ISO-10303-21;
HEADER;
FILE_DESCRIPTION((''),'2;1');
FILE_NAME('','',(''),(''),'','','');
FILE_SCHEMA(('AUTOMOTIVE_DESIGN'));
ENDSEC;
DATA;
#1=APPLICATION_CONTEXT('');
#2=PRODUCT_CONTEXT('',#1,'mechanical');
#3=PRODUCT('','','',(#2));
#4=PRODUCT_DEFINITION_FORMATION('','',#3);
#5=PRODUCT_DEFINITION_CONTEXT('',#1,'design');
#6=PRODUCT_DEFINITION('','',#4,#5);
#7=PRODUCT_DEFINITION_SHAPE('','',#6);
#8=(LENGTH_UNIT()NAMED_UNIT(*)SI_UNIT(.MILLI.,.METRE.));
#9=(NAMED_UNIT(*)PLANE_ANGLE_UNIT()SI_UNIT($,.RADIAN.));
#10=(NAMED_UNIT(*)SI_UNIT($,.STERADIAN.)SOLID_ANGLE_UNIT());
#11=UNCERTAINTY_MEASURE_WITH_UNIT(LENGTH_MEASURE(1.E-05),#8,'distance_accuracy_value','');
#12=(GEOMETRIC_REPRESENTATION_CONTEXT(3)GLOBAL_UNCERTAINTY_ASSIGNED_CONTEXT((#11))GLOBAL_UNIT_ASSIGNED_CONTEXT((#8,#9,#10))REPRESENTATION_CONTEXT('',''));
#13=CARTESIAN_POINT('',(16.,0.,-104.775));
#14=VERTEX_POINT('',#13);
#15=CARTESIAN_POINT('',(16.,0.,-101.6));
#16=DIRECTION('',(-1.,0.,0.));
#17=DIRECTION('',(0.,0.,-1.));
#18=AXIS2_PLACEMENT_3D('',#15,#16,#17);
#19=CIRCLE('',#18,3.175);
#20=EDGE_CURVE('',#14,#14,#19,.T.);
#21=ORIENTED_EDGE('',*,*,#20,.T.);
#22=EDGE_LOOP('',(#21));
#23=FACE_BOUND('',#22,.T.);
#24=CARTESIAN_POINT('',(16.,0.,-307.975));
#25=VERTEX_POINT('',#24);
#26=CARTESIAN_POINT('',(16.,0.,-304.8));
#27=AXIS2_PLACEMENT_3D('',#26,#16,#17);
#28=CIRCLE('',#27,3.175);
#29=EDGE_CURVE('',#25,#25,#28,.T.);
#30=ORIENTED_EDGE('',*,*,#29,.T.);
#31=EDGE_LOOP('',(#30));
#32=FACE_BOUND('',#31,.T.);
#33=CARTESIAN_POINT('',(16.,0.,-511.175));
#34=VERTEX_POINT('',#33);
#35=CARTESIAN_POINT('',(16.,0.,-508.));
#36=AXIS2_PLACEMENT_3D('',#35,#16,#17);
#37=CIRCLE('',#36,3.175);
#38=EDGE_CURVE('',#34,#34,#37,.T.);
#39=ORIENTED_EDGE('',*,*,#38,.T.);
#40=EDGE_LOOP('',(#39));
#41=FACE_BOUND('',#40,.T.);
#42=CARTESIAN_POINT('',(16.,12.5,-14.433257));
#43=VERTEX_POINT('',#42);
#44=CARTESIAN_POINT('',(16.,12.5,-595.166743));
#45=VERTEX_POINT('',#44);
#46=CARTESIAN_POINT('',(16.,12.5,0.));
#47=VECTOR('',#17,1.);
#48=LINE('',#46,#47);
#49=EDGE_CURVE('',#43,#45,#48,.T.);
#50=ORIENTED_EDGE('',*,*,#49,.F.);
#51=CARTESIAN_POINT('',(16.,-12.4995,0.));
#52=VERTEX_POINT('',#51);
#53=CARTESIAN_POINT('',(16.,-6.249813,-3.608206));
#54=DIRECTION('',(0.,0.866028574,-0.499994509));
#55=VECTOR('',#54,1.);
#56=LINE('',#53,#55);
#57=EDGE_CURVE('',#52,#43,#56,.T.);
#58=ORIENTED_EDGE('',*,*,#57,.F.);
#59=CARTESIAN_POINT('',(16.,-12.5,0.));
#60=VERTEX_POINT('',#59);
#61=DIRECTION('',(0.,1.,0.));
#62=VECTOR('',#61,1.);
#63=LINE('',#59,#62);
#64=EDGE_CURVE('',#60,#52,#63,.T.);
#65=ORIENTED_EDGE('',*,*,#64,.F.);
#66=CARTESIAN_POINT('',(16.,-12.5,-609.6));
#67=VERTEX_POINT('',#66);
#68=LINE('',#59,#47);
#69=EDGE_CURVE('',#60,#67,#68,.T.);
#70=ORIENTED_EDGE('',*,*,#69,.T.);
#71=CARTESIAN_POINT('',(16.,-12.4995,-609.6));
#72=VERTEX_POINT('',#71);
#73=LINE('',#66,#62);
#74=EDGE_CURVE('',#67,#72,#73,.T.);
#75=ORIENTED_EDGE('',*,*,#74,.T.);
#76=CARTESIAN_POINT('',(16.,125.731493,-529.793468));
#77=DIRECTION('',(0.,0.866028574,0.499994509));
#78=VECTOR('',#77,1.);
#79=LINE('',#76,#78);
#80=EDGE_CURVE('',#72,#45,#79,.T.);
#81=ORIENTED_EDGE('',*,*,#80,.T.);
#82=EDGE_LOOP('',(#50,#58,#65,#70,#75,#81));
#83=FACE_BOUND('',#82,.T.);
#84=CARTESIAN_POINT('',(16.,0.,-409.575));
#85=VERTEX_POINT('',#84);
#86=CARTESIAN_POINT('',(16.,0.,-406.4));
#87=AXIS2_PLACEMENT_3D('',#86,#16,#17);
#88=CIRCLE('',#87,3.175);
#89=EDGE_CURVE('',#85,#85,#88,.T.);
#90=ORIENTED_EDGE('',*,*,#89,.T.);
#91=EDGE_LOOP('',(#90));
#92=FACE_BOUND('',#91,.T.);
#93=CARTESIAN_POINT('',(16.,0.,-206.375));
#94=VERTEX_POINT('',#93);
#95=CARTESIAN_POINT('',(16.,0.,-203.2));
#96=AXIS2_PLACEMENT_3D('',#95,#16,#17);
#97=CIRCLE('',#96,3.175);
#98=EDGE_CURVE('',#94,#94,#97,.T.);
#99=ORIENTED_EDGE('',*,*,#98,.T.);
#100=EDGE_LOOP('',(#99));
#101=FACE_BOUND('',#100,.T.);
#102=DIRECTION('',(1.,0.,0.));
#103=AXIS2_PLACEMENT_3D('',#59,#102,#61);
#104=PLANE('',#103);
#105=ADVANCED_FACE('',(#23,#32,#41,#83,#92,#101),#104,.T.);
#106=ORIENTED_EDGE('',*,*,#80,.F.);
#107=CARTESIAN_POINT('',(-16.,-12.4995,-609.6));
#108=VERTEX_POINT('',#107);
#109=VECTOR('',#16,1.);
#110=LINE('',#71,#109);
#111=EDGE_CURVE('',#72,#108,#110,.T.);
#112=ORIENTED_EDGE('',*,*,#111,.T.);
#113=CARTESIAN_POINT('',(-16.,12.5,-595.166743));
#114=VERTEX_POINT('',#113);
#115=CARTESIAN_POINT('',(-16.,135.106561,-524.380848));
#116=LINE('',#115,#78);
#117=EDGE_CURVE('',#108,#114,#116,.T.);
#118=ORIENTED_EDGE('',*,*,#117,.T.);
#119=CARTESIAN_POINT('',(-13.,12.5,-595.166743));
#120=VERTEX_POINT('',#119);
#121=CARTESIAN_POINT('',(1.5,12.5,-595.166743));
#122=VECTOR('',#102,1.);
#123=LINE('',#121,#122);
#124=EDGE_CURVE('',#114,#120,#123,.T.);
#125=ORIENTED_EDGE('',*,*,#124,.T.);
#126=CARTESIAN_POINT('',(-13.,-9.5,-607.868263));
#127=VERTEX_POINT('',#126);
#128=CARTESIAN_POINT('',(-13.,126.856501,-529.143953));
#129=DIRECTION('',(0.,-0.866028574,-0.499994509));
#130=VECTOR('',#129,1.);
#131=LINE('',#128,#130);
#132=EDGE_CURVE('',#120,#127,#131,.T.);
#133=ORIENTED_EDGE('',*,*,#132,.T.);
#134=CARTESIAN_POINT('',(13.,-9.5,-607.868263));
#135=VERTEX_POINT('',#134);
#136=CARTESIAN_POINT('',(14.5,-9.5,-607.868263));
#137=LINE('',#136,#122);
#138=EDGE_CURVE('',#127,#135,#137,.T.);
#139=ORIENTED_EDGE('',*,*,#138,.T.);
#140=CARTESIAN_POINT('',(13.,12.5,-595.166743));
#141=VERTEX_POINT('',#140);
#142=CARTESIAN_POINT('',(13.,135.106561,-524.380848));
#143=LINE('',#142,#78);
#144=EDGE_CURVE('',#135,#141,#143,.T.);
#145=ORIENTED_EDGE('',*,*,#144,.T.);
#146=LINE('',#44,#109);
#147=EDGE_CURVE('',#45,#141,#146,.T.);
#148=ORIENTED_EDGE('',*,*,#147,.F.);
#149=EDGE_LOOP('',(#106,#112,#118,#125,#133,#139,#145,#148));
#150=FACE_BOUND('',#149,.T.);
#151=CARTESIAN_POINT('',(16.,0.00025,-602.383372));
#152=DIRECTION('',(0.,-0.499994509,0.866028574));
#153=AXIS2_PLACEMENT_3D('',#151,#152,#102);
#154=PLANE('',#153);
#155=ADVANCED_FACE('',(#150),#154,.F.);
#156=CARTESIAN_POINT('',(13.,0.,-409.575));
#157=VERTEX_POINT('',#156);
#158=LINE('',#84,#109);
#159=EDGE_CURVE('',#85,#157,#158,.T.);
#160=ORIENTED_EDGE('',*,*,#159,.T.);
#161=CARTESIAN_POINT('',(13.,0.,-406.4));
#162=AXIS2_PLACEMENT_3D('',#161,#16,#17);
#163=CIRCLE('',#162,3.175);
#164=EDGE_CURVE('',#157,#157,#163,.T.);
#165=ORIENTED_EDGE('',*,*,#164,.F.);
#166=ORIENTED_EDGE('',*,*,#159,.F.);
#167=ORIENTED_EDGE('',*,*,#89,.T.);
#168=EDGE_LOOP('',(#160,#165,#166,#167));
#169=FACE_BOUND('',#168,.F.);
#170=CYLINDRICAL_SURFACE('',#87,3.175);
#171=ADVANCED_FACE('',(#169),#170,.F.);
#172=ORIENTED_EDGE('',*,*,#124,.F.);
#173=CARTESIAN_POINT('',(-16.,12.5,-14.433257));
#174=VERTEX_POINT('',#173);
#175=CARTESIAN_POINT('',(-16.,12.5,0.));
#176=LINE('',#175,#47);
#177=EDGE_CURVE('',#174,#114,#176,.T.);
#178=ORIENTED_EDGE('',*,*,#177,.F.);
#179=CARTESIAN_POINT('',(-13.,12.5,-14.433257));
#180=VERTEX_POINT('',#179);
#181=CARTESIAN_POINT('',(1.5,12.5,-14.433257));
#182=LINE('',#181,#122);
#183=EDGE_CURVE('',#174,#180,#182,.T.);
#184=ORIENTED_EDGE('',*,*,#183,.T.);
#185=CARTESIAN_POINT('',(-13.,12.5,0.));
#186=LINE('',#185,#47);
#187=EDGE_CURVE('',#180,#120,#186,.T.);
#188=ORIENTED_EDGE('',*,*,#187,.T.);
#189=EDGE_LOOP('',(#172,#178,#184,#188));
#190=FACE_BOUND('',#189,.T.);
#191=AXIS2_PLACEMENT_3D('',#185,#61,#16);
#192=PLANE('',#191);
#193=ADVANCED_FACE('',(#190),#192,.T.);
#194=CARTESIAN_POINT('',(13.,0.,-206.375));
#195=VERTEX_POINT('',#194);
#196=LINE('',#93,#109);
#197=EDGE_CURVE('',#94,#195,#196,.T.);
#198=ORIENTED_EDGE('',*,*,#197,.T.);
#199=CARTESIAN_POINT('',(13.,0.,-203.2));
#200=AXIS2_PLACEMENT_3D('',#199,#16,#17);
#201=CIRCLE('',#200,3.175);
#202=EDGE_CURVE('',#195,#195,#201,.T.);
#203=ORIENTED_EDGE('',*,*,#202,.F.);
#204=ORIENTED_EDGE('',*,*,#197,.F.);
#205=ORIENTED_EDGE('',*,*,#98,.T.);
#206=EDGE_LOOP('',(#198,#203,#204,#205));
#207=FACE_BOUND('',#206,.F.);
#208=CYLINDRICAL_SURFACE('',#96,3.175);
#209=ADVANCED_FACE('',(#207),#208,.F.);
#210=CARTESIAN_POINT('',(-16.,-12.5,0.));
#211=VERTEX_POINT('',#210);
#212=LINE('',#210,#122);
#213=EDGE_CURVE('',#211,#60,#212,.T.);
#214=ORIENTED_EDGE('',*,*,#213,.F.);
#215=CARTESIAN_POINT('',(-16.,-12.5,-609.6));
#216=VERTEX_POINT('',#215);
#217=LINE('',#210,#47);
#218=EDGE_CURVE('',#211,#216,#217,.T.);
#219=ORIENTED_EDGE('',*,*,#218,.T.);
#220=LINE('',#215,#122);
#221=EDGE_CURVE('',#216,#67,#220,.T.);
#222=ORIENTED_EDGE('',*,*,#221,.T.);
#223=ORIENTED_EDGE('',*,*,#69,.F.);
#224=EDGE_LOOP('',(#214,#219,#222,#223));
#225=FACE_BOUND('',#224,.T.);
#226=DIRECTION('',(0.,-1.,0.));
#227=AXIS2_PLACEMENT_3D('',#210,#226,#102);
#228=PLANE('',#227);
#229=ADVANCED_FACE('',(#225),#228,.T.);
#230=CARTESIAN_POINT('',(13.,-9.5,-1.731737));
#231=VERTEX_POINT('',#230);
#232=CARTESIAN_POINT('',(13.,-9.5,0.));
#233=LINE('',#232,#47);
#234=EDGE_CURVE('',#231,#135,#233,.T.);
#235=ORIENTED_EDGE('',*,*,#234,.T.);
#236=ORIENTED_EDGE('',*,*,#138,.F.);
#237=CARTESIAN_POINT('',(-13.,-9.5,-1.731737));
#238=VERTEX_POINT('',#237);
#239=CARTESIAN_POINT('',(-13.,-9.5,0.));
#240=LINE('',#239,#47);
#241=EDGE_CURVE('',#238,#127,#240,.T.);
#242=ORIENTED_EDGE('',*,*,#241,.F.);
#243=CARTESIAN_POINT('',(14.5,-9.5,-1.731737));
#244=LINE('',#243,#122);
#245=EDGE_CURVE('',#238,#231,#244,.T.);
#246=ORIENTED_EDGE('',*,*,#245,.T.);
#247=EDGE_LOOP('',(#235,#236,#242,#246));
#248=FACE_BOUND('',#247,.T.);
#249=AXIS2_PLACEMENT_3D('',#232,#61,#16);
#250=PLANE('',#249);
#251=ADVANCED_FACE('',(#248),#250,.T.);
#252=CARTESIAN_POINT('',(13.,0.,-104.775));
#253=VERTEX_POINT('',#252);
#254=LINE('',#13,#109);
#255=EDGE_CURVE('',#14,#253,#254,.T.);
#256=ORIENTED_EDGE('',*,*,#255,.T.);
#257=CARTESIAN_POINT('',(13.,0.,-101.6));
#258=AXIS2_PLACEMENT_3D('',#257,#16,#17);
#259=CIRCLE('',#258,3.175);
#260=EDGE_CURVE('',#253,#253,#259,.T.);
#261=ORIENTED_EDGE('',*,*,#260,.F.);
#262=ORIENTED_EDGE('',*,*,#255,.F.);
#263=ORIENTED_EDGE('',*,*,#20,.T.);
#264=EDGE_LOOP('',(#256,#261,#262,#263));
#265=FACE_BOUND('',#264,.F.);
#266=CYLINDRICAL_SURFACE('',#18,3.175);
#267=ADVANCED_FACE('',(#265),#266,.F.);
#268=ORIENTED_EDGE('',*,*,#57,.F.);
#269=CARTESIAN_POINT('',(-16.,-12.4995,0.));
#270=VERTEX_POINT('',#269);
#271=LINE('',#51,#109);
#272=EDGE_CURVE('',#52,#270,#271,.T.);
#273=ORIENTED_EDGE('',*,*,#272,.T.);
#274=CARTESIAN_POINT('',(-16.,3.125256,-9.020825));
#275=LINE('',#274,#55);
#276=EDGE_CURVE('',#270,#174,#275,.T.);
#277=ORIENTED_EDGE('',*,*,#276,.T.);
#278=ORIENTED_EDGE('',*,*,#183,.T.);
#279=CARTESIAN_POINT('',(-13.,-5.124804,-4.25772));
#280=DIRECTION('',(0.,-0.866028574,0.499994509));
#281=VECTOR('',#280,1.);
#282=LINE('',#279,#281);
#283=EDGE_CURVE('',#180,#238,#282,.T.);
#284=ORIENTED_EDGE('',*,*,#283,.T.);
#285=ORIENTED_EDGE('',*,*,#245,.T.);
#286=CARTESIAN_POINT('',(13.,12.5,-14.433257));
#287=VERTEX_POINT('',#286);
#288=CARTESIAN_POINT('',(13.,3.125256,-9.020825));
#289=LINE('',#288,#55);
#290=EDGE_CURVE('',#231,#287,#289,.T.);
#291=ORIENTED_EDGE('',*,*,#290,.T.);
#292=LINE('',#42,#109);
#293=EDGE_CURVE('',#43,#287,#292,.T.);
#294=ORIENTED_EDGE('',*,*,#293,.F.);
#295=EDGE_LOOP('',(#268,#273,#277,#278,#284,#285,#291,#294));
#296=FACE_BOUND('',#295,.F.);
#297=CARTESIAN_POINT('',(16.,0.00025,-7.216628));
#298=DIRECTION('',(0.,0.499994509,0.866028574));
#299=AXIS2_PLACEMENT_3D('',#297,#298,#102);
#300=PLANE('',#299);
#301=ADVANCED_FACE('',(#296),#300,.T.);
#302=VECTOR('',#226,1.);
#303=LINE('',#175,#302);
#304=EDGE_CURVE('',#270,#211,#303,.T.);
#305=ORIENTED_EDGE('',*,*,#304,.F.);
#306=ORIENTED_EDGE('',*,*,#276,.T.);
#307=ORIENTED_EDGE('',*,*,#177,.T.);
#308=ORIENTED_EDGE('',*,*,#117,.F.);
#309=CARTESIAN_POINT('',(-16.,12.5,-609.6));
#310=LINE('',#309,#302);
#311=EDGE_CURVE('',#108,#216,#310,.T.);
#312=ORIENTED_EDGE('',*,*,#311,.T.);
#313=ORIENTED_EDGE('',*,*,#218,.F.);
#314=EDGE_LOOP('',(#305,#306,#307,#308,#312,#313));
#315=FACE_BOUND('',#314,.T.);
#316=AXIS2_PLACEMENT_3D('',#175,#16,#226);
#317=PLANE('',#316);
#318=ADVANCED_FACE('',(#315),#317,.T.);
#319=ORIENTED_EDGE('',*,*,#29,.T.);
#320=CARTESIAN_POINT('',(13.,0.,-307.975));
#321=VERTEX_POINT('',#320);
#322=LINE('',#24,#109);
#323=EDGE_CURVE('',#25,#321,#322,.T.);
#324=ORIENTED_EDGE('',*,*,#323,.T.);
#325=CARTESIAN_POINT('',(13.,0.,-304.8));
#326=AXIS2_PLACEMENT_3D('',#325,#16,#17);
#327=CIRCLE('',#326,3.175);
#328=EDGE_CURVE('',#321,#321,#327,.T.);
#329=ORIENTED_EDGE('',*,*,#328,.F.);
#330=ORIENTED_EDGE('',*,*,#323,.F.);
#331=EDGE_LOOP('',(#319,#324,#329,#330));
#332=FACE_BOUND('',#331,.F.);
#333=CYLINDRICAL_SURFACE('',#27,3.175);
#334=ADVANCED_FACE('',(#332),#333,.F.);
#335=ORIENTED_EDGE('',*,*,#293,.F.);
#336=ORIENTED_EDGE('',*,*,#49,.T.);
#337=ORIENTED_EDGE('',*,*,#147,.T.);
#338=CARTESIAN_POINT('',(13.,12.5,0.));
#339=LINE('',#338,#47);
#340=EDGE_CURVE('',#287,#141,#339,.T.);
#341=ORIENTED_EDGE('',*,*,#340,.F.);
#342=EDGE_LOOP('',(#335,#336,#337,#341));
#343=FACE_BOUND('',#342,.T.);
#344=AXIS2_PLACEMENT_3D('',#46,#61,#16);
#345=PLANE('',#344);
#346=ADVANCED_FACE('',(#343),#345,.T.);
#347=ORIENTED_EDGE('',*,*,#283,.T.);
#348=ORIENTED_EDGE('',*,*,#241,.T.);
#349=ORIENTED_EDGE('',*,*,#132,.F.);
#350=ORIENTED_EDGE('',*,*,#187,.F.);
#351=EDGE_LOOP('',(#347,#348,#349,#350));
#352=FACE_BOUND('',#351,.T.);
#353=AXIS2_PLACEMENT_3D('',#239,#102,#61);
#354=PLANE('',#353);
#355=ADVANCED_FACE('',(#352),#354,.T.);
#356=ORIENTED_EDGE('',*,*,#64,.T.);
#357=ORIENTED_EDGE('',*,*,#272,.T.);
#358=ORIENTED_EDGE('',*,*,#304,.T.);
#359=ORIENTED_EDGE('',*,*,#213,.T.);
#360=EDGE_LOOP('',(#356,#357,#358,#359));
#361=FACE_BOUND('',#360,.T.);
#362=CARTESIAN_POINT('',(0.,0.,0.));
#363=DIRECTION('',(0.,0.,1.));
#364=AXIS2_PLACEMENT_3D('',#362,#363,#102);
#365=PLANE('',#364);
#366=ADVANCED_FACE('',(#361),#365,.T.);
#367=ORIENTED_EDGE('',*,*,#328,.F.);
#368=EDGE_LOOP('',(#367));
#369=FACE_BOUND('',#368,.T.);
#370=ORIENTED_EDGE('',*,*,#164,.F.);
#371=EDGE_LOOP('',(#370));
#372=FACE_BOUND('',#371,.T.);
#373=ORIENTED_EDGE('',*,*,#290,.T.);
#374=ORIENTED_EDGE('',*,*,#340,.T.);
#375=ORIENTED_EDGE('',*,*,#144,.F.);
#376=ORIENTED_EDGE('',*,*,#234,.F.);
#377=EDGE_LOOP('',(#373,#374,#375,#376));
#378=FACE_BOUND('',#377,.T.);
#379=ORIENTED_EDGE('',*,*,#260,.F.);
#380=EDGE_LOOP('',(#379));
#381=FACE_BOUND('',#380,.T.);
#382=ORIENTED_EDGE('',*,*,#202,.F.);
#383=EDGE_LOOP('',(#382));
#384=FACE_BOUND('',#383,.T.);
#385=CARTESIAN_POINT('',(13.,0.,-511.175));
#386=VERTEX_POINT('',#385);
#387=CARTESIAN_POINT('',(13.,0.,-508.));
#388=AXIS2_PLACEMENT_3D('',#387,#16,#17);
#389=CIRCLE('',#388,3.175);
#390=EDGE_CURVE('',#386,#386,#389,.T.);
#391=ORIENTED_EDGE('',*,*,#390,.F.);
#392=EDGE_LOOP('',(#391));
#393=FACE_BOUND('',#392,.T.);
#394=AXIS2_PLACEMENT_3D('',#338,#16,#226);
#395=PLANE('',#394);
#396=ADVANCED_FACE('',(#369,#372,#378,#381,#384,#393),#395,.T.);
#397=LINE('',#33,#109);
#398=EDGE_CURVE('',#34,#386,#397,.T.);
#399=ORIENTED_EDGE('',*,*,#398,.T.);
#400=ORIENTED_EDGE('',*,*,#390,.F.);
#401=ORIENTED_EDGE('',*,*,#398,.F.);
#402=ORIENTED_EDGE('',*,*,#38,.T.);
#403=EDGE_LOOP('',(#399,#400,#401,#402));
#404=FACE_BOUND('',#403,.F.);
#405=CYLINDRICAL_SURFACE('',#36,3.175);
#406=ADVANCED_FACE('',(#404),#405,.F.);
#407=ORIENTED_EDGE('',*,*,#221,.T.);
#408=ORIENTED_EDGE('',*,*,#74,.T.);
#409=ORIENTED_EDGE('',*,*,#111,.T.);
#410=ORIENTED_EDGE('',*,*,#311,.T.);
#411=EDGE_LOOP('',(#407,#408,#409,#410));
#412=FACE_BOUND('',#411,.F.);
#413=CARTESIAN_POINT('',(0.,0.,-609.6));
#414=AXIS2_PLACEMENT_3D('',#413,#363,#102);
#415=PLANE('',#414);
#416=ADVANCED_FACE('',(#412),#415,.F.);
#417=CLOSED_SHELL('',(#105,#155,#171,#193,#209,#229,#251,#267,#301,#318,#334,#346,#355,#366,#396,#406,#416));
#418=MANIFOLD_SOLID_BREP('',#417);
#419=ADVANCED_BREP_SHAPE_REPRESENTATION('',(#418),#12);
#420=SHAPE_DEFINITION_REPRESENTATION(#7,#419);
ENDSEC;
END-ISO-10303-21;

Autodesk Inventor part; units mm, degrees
ref_plane "YZ Plane" through (0, 0, 0) normal (1, 0, 0) x (0, 1, 0)
ref_plane "XZ Plane" through (0, 0, 0) normal (0, 1, 0) x (-1, 0, 0)
ref_plane "XY Plane" through (0, 0, 0) normal (0, 0, 1) x (1, 0, 0)
sketch "Sketch1" plane through (0, 0, 0) normal (0, 0, 1) x (1, 0, 0)
  line L0 (-16, -12.5) -> (16, -12.5)
  line L1 (16, -12.5) -> (16, 12.5)
  line L2 (16, 12.5) -> (13, 12.5)
  line L3 (13, 12.5) -> (13, -9.5)
  line L4 (13, -9.5) -> (-13, -9.5)
  line L5 (-13, -9.5) -> (-13, 12.5)
  line L6 (-13, 12.5) -> (-16, 12.5)
  line L7 (-16, 12.5) -> (-16, -12.5)
  point P0 (0, 0)
  dimension "d0" = 32
  dimension "d1" = 25
  dimension "d2" = 3
  dimension "d3" = 90
  dimension "d4" = 22
  dimension "d5" = 26
  dimension "d6" = 22
  dimension "d7" = 3
  dimension "d8" = 25
  dimension "d10" = 12.5
  dimension "d11" = 16
extrude "Extrusion1" add sketch "Sketch1" against normal blind 609.6
chamfer "Chamfer1" distance 25 angle 30 1 edges at (14.5, 12.5, 0) measured on face at (4.3333, -11.5, 0)
chamfer "Chamfer2" distance 25 angle 30 1 edges at (14.5, 12.5, -609.6) measured on face at (4.3333, -11.5, -609.6)
sketch "Sketch2" plane through (16, -12.5, 0) normal (1, 0, 0) x (0, 0, -1)
  line L0 (595.1662, 25) -> (609.6, 0) projected
  line L1 (14.4338, 25) -> (595.1662, 25) projected
  line L2 (602.3831, 12.5) -> (599.0481, 12.5)
  line L3 (508, 12.5) -> (101.6, 12.5) construction
  line L4 (101.6, 12.5) -> (203.2, 12.5) construction
  line L5 (203.2, 12.5) -> (304.8, 12.5) construction
  line L6 (304.8, 12.5) -> (406.4, 12.5) construction
  line L7 (406.4, 12.5) -> (508, 12.5) construction
  circle A0 centre (101.6, 12.5) radius 3.175
  circle A1 centre (203.2, 12.5) radius 3.175
  circle A2 centre (304.8, 12.5) radius 3.175
  circle A3 centre (406.4, 12.5) radius 3.175
  circle A4 centre (508, 12.5) radius 3.175
  line L8 (0, 12.5) -> (609.6, 12.5) construction
  point P0 (0, 0)
  dimension "d21" = 3.335
  dimension "d23" = 406.4
  dimension "d24" = 101.6
  dimension "d25" = 101.6
  dimension "d26" = 101.6
  dimension "d28" = 6.35
  dimension "d29" = 6.35
  dimension "d30" = 6.35
  dimension "d31" = 6.35
  dimension "d32" = 6.35
  dimension "d35" = 101.6
  dimension "d36" = 609.6
  dimension "d37" = 101.6
  dimension "d38" = 101.6
hole "Mounting Holes" at (16, 0, -101.6) at (16, 0, -203.2) at (16, 0, -304.8) at (16, 0, -406.4) at (16, 0, -508) direction (-1, 0, 0) diameter 6.35 depth 8 tip angle 118
equation "\"d5\" = d0 - 2 * d2"
equation "\"d10\" = 0.5 * d1"
equation "\"d11\" = 0.5 * d0"
equation "\"d24\" = d35"
equation "\"d25\" = d24"
equation "\"d26\" = d24"
equation "\"d29\" = d28"
equation "\"d30\" = d28"
equation "\"d31\" = d28"
equation "\"d32\" = d28"
equation "\"d35\" = 0.166667 * d36"
equation "\"d37\" = d35"
properties part number "24in C-Channel"
